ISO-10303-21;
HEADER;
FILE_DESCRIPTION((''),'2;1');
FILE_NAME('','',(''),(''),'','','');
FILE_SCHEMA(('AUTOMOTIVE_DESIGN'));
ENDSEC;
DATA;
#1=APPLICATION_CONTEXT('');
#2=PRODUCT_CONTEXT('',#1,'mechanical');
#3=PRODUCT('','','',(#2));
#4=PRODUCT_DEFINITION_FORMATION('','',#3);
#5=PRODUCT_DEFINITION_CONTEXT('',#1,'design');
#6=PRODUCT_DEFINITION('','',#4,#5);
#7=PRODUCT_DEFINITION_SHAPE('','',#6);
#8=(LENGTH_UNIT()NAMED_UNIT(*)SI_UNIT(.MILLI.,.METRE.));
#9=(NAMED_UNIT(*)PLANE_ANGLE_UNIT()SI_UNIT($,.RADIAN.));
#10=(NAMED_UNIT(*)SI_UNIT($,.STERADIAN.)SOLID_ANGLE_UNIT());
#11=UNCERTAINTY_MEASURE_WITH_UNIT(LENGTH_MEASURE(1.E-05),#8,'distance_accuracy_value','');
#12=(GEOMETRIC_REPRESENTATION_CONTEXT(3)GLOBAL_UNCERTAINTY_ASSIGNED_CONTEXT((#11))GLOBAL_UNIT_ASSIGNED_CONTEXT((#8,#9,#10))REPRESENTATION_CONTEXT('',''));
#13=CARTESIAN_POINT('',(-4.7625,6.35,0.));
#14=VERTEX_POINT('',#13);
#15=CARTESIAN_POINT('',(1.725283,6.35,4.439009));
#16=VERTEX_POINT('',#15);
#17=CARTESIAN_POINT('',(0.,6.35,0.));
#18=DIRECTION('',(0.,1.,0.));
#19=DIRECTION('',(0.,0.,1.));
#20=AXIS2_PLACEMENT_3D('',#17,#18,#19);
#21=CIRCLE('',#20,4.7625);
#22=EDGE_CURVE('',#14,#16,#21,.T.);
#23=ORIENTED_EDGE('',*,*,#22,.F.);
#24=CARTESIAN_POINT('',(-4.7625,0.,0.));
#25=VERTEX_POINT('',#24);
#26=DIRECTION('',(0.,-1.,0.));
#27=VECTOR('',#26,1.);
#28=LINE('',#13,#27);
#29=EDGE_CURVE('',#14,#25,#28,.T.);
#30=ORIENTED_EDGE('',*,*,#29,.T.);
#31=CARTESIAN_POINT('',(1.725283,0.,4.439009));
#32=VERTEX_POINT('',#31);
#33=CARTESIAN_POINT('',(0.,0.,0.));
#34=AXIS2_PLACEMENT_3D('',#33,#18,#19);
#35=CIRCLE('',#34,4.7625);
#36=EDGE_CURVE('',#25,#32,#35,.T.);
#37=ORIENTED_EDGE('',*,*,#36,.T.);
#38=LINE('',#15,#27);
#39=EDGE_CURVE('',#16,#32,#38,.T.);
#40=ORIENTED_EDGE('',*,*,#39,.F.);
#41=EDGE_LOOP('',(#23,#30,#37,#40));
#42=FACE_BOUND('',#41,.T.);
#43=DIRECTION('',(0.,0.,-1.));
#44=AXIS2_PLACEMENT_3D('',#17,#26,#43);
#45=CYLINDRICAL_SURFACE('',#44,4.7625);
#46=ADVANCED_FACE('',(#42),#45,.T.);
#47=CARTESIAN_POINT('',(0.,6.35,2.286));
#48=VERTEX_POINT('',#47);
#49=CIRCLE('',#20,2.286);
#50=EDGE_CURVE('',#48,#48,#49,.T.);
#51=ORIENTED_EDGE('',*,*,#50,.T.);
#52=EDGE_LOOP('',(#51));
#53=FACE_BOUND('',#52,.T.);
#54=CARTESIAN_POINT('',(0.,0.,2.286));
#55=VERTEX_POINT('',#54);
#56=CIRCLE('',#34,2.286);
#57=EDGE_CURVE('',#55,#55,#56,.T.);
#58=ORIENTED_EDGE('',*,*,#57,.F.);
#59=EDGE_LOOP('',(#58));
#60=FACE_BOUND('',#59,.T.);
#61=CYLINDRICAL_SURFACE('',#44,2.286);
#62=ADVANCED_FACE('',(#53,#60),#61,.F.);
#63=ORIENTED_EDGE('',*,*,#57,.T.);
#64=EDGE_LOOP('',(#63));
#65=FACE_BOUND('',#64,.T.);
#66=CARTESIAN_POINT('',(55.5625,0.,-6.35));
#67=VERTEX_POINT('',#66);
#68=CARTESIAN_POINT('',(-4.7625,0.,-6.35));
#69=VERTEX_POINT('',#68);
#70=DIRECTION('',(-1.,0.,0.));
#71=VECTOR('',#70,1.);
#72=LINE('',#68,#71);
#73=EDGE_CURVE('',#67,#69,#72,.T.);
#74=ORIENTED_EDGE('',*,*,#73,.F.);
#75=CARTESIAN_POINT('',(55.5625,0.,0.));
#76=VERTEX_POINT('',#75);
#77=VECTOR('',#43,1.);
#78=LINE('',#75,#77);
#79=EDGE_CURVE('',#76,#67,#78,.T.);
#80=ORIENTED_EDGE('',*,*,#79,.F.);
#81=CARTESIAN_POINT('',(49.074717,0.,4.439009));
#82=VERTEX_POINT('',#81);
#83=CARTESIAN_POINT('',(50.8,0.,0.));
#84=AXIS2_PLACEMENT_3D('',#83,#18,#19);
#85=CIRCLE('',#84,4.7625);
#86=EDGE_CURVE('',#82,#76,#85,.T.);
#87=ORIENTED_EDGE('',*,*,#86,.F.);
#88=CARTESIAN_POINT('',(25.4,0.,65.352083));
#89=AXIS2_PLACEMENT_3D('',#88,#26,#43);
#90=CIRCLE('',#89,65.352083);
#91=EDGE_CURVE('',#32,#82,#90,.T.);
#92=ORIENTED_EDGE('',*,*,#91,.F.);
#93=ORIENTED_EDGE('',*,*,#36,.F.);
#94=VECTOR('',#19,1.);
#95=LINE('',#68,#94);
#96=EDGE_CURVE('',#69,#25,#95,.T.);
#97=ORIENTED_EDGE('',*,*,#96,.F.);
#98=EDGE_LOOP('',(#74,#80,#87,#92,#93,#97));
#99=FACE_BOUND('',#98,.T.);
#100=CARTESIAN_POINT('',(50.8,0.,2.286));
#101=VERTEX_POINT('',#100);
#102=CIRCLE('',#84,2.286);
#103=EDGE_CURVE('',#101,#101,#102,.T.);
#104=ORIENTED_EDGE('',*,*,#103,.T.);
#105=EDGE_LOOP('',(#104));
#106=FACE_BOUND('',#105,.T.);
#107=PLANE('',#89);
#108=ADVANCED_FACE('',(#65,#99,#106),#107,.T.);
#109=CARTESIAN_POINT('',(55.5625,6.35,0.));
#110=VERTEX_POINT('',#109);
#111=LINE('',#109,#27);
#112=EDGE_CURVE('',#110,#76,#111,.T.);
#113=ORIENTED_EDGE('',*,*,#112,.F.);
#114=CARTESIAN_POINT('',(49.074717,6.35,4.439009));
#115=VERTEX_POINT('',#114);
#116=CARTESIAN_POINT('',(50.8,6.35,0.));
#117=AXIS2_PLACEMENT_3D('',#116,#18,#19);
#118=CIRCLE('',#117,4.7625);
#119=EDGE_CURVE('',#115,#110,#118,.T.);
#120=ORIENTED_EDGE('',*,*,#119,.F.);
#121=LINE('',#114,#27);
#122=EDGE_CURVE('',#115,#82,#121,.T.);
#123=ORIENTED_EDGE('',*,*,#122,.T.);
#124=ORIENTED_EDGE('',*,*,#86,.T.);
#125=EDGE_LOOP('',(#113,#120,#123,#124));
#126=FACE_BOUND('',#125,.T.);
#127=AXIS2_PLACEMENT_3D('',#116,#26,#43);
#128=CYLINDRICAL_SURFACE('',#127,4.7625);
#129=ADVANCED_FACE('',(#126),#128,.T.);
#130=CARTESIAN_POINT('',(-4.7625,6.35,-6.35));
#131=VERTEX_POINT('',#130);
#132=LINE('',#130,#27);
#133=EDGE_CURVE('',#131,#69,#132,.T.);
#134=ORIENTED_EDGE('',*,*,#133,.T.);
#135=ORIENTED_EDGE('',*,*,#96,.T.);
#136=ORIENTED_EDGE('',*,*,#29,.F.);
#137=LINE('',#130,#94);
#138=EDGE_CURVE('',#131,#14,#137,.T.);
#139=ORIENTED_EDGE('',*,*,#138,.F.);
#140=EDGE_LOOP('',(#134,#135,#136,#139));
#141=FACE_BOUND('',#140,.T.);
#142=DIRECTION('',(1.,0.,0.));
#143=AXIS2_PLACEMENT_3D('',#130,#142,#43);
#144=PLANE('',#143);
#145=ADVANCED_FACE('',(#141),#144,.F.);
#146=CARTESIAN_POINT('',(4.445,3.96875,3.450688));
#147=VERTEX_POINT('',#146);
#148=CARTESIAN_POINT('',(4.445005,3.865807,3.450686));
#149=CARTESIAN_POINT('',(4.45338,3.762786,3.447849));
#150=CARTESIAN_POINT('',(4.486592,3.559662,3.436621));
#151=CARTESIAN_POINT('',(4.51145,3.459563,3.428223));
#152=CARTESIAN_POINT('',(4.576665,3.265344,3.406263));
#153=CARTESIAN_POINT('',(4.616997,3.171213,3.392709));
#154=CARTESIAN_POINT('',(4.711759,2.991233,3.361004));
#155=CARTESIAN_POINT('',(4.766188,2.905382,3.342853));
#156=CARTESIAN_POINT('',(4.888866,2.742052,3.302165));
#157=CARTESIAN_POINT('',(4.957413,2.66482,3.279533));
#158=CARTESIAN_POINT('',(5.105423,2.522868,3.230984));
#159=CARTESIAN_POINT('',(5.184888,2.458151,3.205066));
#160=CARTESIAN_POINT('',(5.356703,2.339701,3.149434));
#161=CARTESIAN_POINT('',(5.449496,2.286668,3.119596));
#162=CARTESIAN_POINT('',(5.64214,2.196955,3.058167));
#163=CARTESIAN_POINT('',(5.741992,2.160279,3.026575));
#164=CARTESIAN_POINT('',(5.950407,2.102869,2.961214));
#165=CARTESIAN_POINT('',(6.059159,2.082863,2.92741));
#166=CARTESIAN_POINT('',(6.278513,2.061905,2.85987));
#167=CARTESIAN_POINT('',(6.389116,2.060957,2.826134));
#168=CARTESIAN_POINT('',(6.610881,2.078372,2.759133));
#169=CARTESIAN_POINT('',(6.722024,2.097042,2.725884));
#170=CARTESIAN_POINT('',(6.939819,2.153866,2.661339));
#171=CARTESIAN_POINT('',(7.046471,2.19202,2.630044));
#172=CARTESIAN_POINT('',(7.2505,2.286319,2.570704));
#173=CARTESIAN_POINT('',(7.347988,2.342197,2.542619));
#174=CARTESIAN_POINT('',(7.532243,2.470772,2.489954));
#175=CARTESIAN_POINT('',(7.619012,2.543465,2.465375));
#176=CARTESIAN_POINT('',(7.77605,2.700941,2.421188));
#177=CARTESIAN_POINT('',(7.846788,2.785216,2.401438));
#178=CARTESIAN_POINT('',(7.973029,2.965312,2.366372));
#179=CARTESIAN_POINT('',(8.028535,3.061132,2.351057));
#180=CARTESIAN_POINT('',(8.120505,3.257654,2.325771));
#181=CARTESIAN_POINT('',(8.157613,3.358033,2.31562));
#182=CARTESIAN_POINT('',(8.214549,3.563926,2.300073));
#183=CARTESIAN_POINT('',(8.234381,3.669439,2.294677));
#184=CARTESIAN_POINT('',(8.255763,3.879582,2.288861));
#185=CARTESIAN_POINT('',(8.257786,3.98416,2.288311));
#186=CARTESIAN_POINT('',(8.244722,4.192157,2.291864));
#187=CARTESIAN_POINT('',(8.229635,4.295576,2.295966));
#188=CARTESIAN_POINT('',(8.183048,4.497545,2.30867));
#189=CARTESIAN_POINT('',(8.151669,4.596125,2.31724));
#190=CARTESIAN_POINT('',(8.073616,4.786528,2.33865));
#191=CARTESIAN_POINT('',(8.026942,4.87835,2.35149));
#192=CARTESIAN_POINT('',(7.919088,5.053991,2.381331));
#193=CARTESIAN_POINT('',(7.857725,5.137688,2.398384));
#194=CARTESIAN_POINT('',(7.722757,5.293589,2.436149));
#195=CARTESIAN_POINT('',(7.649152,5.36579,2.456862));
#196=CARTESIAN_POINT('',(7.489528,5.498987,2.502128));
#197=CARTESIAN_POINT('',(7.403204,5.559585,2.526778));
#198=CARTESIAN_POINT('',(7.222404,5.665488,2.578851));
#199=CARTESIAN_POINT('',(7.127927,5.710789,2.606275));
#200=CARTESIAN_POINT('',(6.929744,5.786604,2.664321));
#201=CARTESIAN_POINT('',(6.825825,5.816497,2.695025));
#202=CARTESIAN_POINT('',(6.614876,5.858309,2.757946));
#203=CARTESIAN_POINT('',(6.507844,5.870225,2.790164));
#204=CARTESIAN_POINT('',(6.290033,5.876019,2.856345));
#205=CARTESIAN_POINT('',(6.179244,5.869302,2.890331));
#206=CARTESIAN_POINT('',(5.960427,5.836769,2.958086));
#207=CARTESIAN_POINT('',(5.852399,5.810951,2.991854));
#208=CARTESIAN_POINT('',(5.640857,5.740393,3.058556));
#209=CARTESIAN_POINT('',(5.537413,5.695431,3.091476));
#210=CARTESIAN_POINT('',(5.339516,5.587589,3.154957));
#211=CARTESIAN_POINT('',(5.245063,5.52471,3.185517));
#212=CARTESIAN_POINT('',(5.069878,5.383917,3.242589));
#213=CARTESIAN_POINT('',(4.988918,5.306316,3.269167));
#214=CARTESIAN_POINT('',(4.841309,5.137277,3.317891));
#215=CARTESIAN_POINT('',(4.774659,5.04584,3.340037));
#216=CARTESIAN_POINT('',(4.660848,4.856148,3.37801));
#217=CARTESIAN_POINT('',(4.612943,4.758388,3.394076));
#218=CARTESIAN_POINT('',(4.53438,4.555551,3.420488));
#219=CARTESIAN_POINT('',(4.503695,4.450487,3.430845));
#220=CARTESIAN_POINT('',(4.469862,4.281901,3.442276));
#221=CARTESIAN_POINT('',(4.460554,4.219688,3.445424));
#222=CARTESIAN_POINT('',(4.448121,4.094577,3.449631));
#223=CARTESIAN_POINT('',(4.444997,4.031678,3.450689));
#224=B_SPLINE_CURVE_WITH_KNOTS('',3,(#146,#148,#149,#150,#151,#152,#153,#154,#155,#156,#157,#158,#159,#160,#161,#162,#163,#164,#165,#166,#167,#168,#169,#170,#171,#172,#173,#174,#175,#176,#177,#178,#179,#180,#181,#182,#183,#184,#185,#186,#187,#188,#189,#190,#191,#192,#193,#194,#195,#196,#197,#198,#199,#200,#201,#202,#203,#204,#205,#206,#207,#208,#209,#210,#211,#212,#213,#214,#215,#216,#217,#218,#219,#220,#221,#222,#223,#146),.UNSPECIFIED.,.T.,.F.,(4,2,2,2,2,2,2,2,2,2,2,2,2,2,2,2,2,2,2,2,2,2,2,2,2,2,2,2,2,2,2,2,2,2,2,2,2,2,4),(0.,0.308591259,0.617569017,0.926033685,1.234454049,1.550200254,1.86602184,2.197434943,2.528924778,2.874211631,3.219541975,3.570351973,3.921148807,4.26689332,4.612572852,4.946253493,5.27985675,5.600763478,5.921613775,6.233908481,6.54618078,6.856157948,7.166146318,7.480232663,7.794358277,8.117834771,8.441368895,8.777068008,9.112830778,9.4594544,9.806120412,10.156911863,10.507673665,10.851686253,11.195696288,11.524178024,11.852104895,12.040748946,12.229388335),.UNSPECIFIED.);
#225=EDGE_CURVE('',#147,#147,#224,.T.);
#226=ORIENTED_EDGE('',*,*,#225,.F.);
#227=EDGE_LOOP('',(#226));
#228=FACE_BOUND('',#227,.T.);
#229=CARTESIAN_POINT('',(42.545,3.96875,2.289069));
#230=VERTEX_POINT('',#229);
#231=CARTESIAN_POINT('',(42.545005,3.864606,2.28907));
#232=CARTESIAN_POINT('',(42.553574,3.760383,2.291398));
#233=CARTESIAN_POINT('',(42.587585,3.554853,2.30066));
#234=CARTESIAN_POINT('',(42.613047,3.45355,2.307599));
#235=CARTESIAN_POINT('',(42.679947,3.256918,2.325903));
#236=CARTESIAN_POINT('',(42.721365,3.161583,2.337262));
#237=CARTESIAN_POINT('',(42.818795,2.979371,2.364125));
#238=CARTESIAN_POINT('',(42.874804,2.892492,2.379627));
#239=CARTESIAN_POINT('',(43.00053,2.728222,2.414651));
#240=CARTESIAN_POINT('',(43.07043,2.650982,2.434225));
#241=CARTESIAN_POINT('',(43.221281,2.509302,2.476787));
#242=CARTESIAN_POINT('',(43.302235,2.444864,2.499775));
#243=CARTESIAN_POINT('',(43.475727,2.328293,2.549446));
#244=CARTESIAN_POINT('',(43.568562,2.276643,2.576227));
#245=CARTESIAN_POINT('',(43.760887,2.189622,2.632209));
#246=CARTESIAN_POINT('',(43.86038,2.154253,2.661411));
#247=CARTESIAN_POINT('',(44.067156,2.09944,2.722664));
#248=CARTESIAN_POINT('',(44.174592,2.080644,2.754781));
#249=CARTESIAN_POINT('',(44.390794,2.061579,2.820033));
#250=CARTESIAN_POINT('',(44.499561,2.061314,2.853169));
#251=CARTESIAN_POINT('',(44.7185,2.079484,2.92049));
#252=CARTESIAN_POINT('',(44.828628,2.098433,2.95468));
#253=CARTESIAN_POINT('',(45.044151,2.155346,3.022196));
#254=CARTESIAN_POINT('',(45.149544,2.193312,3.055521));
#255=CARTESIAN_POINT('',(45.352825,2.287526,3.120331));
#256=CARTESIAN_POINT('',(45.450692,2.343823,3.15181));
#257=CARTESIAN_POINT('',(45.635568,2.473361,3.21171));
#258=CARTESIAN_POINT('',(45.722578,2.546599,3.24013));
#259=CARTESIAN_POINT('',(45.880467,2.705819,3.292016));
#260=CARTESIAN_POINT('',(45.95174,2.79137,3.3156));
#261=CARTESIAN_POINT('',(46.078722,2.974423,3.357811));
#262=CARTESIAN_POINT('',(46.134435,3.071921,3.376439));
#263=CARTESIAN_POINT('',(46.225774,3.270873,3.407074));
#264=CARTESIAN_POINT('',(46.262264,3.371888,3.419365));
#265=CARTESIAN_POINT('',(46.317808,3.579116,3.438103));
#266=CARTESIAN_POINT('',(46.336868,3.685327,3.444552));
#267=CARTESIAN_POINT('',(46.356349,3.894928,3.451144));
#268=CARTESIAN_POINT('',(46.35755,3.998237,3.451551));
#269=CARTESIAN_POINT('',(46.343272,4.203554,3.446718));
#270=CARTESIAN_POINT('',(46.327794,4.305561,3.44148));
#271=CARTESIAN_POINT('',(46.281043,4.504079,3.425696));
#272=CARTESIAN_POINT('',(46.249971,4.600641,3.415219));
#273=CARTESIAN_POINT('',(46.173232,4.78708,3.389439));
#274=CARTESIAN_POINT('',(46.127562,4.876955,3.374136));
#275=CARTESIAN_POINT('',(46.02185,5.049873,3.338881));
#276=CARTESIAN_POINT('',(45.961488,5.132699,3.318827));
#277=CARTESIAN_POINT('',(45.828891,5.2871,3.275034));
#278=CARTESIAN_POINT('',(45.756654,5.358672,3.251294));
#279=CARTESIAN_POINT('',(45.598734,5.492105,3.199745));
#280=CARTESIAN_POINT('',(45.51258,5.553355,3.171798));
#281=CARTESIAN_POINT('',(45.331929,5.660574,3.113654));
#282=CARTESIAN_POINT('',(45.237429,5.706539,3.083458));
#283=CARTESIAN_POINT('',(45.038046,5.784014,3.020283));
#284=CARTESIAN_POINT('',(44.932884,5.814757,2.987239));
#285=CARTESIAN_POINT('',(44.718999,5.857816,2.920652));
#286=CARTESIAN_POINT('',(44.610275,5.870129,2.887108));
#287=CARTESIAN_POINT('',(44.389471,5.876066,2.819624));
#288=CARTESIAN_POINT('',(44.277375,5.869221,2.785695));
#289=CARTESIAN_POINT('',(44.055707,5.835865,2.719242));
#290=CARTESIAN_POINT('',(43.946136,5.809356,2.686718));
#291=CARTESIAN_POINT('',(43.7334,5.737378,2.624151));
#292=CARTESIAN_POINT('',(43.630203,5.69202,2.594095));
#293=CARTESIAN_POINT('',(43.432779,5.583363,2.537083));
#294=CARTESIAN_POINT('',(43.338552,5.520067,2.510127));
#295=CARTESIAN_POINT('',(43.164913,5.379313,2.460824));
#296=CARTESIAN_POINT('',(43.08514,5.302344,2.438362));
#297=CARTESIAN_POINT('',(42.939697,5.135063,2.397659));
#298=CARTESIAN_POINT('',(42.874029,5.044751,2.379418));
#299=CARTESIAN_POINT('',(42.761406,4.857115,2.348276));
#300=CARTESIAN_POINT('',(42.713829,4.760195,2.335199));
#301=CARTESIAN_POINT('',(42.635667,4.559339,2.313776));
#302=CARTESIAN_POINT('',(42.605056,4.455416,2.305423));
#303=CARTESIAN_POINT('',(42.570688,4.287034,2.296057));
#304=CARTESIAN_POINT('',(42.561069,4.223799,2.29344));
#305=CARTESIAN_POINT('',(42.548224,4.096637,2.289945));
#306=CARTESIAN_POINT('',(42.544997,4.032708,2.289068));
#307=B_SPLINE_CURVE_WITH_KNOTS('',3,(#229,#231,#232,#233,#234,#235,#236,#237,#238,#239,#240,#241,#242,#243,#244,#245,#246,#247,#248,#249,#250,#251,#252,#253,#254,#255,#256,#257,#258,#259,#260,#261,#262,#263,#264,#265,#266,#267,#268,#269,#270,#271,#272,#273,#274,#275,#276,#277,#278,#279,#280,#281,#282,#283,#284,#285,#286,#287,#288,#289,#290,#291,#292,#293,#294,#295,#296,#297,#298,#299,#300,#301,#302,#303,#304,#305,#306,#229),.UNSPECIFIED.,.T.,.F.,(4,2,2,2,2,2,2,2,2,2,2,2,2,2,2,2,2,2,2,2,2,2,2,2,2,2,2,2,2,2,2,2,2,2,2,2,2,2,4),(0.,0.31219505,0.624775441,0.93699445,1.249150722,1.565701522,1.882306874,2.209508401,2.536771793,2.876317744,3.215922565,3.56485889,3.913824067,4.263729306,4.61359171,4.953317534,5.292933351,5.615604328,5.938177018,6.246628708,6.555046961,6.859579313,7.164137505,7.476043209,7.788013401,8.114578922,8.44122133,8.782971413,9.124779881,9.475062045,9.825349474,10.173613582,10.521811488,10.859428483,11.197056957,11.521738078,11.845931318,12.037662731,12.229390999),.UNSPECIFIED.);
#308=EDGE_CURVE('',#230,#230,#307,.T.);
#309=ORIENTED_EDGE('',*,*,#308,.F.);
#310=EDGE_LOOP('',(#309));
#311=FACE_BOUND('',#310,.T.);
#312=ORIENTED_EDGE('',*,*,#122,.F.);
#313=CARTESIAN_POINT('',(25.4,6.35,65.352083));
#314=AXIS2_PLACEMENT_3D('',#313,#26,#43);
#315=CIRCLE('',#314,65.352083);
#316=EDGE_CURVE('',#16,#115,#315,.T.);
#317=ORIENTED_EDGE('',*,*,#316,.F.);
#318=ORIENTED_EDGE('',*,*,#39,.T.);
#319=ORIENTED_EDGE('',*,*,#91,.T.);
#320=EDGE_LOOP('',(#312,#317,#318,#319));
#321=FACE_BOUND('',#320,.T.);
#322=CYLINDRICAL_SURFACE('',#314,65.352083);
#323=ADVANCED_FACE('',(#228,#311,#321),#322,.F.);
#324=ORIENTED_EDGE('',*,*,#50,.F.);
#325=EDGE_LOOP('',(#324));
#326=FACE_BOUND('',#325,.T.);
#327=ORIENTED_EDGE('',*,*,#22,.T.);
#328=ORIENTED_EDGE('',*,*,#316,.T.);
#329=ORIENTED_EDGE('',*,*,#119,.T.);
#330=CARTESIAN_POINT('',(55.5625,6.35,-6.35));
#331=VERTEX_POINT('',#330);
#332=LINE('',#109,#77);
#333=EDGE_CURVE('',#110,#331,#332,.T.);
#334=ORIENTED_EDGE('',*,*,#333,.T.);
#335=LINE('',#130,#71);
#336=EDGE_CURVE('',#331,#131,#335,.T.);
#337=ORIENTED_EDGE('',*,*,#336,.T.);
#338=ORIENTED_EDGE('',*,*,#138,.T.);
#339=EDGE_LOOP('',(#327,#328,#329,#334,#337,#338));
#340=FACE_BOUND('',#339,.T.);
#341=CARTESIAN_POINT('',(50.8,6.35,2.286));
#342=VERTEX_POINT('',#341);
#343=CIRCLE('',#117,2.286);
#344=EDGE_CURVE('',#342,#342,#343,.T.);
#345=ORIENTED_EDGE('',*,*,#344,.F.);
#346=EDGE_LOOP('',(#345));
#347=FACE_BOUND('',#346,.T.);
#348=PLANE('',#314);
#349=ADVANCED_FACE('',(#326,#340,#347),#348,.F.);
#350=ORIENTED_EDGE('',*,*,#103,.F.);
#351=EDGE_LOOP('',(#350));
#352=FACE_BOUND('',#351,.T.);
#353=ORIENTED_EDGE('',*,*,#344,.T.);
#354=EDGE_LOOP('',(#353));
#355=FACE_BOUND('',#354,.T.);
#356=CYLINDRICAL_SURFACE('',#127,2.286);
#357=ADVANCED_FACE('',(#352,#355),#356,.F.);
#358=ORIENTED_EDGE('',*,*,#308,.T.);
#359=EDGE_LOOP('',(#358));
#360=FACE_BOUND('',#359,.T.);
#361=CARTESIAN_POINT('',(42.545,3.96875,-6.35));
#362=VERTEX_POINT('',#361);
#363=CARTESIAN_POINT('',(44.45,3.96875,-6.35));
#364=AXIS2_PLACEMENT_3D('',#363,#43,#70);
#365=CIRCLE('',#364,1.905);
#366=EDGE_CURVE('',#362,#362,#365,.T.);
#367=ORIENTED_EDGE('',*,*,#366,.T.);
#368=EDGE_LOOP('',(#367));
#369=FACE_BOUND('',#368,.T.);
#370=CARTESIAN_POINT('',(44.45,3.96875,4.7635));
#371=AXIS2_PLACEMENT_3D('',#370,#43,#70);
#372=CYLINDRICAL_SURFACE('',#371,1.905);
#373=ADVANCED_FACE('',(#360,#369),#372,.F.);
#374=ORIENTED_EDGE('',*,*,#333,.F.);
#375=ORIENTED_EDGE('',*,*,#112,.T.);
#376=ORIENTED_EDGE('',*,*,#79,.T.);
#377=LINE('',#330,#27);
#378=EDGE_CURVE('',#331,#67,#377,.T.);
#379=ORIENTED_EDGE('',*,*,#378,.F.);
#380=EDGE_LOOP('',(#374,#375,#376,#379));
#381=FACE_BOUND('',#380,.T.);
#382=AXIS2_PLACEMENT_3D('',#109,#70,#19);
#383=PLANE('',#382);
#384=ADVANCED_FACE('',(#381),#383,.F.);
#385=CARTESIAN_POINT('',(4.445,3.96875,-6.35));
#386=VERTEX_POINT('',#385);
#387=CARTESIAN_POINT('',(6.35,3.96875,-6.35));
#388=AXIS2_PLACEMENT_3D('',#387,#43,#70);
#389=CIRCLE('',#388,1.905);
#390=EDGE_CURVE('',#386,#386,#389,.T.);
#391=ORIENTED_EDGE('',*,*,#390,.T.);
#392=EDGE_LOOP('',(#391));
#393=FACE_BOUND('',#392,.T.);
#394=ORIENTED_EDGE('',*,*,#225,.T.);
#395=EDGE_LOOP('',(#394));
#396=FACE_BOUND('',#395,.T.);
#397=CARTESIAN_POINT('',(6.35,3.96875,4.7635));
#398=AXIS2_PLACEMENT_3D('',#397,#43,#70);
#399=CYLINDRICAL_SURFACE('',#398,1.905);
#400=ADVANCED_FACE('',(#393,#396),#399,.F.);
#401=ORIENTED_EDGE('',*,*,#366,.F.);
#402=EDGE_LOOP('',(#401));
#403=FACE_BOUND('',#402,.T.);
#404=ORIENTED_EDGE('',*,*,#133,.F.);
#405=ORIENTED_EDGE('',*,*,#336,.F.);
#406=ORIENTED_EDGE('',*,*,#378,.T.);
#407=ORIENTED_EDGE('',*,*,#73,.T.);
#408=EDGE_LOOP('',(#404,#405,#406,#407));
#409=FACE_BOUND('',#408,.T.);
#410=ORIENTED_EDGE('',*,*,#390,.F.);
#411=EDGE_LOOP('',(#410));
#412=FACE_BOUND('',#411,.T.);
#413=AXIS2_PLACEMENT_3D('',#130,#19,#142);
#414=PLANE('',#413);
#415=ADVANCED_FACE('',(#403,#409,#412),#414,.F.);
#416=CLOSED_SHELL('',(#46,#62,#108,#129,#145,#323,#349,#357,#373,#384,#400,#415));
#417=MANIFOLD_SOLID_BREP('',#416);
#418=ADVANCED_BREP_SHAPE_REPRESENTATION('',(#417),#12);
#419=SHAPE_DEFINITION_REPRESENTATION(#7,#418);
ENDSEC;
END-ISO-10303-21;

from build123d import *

# Parameters (mm, degrees)
SKETCH1_R               = 2.286
BOSS_EXTRUDE1_DEPTH     = 6.35
CUT_EXTRUDE1_REACH      = 59.018
CUT_EXTRUDE1_END_RADIUS = 65.352083333
SKETCH2_R               = 1.905


with BuildPart() as part:
    # Sketch1 → Boss-Extrude1 (new body)
    with BuildSketch(Plane(origin=(0, 0, 0), x_dir=(1, 0, 0), z_dir=(0, 1, 0))):
        with BuildLine():
            Line((-4.7625, 6.35), (-4.7625, 0))
            ThreePointArc((-4.7625, 0), (-2.689307148, -3.930525832), (1.725283019, -4.439009434))
            ThreePointArc((1.725283019, -4.439009434), (25.4, 0), (49.074716981, -4.439009434))
            ThreePointArc((49.074716981, -4.439009434), (53.489307148, -3.930525832), (55.5625, 0))
            Line((55.5625, 0), (55.5625, 6.35))
            Line((55.5625, 6.35), (-4.7625, 6.35))
        make_face()
        with Locations(Location((0, 0, 0), (0, 0, 270))):
            Circle(SKETCH1_R, mode=Mode.SUBTRACT)
        with Locations(Location((50.8, 0, 0), (0, 0, 270))):
            Circle(SKETCH1_R, mode=Mode.SUBTRACT)
    extrude(amount=BOSS_EXTRUDE1_DEPTH)

    # Cut-Extrude1: up to this cylinder (the profile starts outside it)
    cut_extrude1_end = Plane(origin=(25.4, 3.96875, 65.352083333), z_dir=(0, -1, 0)) * Cylinder(CUT_EXTRUDE1_END_RADIUS, 249.740166667, mode=Mode.PRIVATE)
    # Sketch2 → Cut-Extrude1 (cut, up to the surface)
    with BuildSketch(Plane(origin=(0, 0, -6.35), x_dir=(-1, 0, 0), z_dir=(0, 0, -1)), mode=Mode.PRIVATE) as cut_extrude1_sk1:
        with Locations((-6.35, 3.96875)):
            Circle(SKETCH2_R)
    cut_extrude1_tool1 = extrude(cut_extrude1_sk1.sketch, amount=-CUT_EXTRUDE1_REACH, mode=Mode.PRIVATE) - cut_extrude1_end
    add(cut_extrude1_tool1.solids().sort_by_distance((6.35, 3.96875, -6.35))[0], mode=Mode.SUBTRACT)
    # Sketch2 → Cut-Extrude1 (cut, up to the surface)
    with BuildSketch(Plane(origin=(0, 0, -6.35), x_dir=(-1, 0, 0), z_dir=(0, 0, -1)), mode=Mode.PRIVATE) as cut_extrude1_sk2:
        with Locations((-44.45, 3.96875)):
            Circle(SKETCH2_R)
    cut_extrude1_tool2 = extrude(cut_extrude1_sk2.sketch, amount=-CUT_EXTRUDE1_REACH, mode=Mode.PRIVATE) - cut_extrude1_end
    add(cut_extrude1_tool2.solids().sort_by_distance((44.45, 3.96875, -6.35))[0], mode=Mode.SUBTRACT)


solid = part.part
